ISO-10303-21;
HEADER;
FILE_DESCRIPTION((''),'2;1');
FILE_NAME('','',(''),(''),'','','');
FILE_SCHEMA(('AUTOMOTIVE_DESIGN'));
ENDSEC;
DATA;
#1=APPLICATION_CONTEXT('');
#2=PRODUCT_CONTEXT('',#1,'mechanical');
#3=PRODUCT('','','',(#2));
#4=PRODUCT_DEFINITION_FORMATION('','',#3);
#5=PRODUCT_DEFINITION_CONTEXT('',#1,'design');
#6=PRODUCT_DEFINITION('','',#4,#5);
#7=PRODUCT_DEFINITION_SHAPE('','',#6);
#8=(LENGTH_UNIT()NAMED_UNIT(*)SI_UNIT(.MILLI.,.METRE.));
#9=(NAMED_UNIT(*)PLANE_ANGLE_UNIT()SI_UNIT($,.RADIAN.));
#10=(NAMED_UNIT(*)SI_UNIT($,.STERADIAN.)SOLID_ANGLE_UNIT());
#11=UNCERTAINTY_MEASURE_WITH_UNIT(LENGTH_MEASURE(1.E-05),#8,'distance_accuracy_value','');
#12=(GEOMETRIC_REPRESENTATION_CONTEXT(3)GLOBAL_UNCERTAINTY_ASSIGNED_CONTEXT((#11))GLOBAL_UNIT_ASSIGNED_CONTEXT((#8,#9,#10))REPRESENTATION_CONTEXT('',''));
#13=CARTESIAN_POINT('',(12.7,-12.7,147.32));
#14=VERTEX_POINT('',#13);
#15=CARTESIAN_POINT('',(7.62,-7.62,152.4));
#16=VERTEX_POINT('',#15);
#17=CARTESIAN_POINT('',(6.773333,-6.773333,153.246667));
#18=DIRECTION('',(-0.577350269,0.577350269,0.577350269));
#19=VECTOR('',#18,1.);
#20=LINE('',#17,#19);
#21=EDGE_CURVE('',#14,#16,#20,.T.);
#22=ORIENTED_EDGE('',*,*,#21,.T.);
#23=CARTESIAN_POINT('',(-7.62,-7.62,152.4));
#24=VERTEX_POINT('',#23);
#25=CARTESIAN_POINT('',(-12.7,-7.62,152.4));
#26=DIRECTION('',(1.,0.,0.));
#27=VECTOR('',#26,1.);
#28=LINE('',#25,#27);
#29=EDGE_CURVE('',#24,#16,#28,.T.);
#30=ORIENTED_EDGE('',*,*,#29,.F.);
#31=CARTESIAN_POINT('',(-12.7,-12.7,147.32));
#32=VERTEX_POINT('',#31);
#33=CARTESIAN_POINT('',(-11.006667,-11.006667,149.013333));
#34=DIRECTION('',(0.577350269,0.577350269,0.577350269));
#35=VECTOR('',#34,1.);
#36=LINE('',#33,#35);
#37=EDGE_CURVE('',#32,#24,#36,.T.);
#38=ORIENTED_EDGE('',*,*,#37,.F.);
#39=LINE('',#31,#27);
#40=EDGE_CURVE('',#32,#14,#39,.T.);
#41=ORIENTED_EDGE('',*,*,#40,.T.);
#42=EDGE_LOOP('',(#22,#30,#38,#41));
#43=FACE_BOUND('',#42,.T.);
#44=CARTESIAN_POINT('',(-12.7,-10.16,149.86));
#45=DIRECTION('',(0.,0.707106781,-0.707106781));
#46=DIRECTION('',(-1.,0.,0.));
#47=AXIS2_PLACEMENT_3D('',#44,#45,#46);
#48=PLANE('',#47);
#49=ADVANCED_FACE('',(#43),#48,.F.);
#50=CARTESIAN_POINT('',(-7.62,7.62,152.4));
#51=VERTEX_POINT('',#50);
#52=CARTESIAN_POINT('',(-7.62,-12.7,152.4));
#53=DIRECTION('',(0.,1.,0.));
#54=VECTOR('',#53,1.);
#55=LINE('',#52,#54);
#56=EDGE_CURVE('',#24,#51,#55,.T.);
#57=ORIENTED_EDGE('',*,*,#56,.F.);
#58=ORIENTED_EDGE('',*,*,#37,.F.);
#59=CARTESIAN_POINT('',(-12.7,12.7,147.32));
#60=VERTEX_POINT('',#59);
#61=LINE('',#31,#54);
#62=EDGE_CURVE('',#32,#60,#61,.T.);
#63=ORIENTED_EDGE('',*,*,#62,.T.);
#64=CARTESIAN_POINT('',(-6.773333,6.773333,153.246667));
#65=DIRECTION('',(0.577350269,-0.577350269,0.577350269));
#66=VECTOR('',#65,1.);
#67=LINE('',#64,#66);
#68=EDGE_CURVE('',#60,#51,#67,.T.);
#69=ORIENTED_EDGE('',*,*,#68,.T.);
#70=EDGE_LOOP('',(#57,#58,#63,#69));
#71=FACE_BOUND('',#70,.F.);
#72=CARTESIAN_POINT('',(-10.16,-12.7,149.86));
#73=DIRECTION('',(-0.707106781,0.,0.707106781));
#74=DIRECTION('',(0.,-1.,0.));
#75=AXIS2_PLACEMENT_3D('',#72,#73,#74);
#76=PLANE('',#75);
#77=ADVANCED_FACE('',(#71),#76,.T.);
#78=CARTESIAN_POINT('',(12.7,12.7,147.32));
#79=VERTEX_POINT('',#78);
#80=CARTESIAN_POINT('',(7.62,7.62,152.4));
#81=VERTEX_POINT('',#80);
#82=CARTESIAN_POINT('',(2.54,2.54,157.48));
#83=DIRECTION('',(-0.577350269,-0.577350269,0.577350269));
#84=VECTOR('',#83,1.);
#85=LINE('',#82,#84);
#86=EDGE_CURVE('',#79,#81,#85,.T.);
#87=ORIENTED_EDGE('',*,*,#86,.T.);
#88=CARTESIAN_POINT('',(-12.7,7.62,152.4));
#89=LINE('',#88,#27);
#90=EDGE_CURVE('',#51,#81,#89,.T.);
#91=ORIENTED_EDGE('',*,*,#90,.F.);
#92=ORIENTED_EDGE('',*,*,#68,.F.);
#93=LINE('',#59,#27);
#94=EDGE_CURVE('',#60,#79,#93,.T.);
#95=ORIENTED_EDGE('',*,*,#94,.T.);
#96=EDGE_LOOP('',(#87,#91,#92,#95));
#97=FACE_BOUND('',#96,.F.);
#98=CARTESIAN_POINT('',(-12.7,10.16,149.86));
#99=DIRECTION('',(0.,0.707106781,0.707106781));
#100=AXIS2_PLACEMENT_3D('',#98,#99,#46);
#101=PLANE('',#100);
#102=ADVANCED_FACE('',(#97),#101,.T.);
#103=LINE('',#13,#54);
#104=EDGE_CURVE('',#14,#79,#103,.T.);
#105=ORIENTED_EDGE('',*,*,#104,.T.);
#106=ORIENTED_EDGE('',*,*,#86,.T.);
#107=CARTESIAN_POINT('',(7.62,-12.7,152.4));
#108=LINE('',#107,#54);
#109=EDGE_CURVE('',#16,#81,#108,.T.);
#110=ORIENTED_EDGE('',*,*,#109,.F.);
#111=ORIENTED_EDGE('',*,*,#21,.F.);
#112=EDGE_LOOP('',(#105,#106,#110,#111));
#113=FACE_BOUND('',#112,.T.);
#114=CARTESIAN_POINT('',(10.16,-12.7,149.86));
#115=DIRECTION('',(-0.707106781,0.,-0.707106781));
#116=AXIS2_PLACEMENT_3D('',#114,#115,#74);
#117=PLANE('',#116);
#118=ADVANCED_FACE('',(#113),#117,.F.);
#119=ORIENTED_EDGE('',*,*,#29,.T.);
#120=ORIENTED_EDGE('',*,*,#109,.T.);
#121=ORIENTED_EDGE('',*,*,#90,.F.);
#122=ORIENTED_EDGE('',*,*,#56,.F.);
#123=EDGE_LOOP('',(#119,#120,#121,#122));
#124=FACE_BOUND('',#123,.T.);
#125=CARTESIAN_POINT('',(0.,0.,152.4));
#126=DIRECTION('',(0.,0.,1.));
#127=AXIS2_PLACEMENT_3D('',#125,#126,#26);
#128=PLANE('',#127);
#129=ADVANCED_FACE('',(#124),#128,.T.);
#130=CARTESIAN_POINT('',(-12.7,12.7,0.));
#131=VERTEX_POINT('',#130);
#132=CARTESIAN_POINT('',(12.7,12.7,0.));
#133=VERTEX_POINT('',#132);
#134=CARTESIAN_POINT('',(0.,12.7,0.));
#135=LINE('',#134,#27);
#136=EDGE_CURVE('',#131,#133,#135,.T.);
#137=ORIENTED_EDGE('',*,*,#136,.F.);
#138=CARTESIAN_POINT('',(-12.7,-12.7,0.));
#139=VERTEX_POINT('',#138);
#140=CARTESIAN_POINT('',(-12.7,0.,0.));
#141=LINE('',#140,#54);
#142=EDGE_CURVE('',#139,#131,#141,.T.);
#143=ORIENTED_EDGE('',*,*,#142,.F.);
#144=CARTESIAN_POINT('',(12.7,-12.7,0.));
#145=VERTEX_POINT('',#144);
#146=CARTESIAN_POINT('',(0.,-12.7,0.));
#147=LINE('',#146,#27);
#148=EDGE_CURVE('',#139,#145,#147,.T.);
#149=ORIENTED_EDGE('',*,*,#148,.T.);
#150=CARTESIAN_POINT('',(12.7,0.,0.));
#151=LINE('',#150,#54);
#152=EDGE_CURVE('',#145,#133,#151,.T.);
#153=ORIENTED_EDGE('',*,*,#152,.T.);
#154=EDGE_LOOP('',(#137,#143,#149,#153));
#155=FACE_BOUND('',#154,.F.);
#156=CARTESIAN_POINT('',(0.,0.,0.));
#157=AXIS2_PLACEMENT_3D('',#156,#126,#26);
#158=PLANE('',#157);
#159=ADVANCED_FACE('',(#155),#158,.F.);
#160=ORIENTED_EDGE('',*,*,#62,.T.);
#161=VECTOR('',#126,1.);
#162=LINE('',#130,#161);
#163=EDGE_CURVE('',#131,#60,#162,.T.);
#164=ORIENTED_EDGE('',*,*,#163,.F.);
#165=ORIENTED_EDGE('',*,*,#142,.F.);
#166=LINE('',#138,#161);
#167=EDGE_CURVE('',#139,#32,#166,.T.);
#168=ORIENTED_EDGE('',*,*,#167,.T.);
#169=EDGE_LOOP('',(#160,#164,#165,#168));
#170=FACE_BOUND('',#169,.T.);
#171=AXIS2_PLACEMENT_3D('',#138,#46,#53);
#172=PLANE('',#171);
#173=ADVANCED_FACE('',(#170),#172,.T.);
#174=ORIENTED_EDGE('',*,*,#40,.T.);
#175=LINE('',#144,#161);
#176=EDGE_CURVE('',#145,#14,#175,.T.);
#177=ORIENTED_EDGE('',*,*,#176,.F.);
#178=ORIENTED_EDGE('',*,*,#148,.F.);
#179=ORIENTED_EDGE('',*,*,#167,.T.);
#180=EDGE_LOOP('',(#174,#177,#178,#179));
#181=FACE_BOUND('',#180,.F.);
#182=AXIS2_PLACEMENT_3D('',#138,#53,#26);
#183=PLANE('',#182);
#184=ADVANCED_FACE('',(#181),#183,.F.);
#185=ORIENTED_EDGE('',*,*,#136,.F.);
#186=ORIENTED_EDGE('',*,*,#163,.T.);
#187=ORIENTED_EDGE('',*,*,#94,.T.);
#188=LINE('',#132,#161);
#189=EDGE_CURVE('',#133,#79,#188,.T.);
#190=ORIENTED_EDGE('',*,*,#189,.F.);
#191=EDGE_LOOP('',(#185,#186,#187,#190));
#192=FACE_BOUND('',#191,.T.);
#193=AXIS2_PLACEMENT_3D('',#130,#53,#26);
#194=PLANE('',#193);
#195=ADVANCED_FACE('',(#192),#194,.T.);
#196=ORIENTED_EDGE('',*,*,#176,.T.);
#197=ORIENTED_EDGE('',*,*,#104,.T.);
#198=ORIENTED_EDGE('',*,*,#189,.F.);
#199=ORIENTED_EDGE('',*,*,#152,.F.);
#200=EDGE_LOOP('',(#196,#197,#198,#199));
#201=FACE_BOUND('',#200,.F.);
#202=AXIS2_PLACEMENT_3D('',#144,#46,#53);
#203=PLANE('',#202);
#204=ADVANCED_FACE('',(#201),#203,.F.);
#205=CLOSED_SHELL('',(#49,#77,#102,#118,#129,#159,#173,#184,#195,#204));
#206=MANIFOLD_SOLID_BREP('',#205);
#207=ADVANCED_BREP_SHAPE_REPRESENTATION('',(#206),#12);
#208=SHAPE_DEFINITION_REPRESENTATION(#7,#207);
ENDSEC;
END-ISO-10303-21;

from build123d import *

# Parameters (mm, degrees)
F0_W     = 25.4
F0_H     = 25.4
F1_DEPTH = 152.4
F2_SIZE  = 5.08


with BuildPart() as f1:
    # F0 (on Top) → F1 (new body)
    with BuildSketch(Plane.XY):
        Rectangle(F0_W, F0_H)
    extrude(amount=F1_DEPTH)

    # F2
    f2_edges = [f1.edges().sort_by_distance(p)[0] for p in [
        (-12.7, 0, 152.4),
        (0, 12.7, 152.4),
        (12.7, 0, 152.4),
        (0, -12.7, 152.4),
    ]]
    chamfer(f2_edges, length=F2_SIZE)


solid = f1.part
